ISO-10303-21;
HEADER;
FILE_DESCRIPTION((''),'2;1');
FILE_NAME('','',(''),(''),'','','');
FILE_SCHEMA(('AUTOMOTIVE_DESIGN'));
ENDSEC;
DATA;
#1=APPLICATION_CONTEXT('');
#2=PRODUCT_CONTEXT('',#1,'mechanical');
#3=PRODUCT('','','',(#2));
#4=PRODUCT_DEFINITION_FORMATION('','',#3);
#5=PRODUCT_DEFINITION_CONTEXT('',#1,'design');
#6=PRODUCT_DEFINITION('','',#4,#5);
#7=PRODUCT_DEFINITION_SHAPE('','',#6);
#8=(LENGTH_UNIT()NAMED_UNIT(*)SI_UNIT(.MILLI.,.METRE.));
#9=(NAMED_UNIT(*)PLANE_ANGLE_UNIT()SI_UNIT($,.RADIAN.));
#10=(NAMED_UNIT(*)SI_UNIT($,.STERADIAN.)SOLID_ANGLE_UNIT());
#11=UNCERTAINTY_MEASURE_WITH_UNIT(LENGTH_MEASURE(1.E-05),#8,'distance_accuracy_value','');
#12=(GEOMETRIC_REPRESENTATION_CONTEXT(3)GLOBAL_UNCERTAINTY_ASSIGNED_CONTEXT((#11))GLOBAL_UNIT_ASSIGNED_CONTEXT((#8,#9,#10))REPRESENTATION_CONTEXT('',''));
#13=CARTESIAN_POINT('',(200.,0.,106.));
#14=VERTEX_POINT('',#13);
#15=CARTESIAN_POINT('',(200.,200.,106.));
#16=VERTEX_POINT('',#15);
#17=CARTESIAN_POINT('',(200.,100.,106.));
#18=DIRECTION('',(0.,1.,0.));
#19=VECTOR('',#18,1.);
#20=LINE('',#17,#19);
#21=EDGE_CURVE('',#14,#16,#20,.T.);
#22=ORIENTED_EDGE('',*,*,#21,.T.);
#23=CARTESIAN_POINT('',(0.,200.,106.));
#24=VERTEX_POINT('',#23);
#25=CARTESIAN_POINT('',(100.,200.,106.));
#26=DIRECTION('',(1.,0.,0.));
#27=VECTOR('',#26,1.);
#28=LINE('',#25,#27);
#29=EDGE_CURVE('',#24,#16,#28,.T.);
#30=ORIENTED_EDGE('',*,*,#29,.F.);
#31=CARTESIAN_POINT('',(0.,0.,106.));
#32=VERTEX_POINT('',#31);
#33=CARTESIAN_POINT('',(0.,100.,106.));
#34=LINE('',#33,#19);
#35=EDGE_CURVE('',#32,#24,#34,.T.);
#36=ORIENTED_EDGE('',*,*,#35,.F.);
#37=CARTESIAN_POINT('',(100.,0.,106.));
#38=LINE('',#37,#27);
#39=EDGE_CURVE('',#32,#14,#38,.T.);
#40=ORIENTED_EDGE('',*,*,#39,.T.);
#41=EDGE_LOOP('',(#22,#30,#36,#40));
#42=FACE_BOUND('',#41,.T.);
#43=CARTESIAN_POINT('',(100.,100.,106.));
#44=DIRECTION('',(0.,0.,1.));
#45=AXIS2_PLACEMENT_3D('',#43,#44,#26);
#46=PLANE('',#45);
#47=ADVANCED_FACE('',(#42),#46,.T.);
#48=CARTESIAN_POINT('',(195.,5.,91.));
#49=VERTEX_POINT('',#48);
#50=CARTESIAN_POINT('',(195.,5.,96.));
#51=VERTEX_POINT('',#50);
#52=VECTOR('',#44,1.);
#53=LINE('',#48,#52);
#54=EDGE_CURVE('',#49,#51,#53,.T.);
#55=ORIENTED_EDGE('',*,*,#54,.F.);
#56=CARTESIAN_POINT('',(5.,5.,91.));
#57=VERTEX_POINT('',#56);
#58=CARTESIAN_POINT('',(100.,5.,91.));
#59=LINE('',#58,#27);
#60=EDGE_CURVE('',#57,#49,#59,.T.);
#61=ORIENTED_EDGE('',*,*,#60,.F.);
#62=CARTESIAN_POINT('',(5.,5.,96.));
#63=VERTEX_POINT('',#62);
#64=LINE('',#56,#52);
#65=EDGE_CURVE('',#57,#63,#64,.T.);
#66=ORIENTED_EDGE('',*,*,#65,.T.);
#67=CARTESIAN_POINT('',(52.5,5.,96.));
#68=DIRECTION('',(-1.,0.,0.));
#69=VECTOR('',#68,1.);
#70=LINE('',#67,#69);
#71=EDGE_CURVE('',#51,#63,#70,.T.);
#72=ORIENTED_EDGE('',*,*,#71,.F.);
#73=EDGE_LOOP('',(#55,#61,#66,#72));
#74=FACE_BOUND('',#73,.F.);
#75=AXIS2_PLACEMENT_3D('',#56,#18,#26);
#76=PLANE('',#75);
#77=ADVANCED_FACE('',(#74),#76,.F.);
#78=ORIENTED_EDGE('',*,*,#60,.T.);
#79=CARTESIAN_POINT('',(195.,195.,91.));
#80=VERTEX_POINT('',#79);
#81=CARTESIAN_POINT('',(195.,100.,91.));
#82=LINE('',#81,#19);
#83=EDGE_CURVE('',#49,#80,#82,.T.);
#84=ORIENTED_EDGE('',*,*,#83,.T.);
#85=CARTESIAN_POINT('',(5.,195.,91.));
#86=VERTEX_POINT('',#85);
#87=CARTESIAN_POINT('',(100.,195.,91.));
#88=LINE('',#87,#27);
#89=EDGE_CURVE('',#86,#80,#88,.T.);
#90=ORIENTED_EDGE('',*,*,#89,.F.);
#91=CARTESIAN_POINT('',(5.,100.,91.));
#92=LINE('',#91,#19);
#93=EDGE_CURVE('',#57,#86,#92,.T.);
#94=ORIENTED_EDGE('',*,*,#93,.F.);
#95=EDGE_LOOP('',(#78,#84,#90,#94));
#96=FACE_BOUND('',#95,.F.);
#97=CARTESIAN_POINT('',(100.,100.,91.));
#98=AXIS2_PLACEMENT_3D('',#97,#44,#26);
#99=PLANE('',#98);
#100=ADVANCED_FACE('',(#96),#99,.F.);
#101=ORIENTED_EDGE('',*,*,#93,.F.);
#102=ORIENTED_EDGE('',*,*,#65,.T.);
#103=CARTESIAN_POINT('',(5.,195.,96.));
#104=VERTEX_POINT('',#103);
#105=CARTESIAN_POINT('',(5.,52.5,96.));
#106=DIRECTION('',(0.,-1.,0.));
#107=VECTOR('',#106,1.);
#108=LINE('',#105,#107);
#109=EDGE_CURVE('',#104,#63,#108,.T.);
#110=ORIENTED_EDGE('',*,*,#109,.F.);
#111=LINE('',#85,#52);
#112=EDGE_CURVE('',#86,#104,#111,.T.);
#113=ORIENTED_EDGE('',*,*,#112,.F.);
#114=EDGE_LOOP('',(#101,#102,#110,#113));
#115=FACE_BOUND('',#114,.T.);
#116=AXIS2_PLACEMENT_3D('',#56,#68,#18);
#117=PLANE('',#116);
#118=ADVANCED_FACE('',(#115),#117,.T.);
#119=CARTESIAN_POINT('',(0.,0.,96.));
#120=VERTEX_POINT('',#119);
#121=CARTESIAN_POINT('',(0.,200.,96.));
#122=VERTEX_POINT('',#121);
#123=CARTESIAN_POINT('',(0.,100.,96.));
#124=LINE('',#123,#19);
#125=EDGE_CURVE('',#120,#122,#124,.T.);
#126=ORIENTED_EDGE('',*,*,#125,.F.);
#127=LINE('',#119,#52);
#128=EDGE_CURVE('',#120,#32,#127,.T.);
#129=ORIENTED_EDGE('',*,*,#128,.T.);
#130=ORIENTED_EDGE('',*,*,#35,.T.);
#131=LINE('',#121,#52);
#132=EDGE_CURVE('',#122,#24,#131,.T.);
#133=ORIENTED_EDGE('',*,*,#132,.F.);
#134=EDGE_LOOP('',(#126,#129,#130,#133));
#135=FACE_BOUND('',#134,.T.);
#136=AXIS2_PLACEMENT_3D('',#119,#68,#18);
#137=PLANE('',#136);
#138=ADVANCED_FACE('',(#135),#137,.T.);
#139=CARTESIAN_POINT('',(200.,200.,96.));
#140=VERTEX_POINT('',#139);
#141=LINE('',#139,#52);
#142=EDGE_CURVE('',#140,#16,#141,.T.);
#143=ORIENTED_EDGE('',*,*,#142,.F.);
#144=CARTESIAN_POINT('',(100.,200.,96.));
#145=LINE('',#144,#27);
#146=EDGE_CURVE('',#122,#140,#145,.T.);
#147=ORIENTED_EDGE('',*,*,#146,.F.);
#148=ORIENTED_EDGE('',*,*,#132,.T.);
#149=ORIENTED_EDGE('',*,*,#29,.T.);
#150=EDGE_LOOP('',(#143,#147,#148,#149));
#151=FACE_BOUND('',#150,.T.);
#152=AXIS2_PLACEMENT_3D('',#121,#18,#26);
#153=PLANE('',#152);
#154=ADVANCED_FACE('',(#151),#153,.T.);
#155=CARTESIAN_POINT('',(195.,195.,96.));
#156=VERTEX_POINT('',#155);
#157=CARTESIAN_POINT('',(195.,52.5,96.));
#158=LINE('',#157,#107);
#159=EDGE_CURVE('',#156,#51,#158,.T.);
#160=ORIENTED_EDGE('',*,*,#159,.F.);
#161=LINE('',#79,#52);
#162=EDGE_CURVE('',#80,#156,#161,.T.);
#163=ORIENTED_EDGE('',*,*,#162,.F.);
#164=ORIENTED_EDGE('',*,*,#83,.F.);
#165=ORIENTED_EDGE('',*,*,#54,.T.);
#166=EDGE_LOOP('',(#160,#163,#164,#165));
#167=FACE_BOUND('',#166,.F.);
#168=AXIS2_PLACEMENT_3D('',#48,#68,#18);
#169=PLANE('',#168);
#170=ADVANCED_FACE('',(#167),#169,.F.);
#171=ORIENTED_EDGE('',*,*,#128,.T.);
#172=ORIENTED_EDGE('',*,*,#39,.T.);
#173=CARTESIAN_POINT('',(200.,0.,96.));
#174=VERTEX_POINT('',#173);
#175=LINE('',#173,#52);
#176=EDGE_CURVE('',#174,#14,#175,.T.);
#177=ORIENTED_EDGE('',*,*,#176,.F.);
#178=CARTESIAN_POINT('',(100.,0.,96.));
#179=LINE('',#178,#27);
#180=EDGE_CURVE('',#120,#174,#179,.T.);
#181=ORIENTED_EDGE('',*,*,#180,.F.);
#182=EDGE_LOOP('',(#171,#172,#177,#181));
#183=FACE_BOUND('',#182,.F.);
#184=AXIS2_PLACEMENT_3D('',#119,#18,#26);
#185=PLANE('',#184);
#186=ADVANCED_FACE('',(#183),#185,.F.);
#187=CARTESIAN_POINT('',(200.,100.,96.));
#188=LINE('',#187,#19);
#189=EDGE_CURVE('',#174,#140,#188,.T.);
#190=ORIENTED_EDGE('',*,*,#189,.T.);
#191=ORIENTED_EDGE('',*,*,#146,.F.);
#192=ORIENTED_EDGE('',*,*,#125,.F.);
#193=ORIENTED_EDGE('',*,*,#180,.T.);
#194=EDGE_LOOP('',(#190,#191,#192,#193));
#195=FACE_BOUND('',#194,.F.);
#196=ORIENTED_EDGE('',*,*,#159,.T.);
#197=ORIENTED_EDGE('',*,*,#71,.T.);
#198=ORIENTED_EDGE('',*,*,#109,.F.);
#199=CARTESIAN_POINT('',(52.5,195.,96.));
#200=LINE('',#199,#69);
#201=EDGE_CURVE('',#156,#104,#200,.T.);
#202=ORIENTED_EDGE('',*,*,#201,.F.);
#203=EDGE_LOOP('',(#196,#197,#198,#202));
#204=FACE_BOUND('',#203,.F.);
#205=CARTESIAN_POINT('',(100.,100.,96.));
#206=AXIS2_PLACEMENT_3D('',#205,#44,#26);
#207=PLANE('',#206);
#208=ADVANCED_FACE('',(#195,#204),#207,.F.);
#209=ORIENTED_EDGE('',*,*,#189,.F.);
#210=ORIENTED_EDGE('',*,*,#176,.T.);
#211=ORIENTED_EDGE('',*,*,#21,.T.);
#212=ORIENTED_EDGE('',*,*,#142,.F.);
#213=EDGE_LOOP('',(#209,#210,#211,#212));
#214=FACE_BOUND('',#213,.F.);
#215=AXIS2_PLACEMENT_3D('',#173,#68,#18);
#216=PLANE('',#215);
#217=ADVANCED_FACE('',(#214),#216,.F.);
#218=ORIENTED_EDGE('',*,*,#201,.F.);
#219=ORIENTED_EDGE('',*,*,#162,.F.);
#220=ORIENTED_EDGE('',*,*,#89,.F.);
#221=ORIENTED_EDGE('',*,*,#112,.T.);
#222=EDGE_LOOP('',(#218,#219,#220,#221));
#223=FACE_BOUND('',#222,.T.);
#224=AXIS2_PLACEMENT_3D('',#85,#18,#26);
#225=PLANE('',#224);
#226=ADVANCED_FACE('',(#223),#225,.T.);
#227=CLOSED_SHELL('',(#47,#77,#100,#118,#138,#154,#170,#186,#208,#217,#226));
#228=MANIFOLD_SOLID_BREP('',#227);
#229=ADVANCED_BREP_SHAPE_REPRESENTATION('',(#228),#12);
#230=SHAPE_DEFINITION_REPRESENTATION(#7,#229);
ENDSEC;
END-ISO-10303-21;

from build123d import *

# Parameters (mm, degrees)
BOX006_W     = 190
BOX006_H     = 190
BOX006_DEPTH = 15
BOX005_W     = 200
BOX005_H     = 200
BOX005_DEPTH = 10


with BuildPart() as cube006:
    # Box006 → Box006 (new body)
    with BuildSketch(Plane(origin=(5, 5, 91), x_dir=(1, 0, 0), z_dir=(0, 0, 1))):
        with Locations((95, 95)):
            Rectangle(BOX006_W, BOX006_H)
    extrude(amount=BOX006_DEPTH)


with BuildPart() as lid:
    # Box005 → Box005 (new body)
    with BuildSketch(Plane.XY.offset(96)):
        with Locations((100, 100)):
            Rectangle(BOX005_W, BOX005_H)
    extrude(amount=BOX005_DEPTH)

    # Fusion002: union Cube006
    add(cube006.part)


solid = lid.part
